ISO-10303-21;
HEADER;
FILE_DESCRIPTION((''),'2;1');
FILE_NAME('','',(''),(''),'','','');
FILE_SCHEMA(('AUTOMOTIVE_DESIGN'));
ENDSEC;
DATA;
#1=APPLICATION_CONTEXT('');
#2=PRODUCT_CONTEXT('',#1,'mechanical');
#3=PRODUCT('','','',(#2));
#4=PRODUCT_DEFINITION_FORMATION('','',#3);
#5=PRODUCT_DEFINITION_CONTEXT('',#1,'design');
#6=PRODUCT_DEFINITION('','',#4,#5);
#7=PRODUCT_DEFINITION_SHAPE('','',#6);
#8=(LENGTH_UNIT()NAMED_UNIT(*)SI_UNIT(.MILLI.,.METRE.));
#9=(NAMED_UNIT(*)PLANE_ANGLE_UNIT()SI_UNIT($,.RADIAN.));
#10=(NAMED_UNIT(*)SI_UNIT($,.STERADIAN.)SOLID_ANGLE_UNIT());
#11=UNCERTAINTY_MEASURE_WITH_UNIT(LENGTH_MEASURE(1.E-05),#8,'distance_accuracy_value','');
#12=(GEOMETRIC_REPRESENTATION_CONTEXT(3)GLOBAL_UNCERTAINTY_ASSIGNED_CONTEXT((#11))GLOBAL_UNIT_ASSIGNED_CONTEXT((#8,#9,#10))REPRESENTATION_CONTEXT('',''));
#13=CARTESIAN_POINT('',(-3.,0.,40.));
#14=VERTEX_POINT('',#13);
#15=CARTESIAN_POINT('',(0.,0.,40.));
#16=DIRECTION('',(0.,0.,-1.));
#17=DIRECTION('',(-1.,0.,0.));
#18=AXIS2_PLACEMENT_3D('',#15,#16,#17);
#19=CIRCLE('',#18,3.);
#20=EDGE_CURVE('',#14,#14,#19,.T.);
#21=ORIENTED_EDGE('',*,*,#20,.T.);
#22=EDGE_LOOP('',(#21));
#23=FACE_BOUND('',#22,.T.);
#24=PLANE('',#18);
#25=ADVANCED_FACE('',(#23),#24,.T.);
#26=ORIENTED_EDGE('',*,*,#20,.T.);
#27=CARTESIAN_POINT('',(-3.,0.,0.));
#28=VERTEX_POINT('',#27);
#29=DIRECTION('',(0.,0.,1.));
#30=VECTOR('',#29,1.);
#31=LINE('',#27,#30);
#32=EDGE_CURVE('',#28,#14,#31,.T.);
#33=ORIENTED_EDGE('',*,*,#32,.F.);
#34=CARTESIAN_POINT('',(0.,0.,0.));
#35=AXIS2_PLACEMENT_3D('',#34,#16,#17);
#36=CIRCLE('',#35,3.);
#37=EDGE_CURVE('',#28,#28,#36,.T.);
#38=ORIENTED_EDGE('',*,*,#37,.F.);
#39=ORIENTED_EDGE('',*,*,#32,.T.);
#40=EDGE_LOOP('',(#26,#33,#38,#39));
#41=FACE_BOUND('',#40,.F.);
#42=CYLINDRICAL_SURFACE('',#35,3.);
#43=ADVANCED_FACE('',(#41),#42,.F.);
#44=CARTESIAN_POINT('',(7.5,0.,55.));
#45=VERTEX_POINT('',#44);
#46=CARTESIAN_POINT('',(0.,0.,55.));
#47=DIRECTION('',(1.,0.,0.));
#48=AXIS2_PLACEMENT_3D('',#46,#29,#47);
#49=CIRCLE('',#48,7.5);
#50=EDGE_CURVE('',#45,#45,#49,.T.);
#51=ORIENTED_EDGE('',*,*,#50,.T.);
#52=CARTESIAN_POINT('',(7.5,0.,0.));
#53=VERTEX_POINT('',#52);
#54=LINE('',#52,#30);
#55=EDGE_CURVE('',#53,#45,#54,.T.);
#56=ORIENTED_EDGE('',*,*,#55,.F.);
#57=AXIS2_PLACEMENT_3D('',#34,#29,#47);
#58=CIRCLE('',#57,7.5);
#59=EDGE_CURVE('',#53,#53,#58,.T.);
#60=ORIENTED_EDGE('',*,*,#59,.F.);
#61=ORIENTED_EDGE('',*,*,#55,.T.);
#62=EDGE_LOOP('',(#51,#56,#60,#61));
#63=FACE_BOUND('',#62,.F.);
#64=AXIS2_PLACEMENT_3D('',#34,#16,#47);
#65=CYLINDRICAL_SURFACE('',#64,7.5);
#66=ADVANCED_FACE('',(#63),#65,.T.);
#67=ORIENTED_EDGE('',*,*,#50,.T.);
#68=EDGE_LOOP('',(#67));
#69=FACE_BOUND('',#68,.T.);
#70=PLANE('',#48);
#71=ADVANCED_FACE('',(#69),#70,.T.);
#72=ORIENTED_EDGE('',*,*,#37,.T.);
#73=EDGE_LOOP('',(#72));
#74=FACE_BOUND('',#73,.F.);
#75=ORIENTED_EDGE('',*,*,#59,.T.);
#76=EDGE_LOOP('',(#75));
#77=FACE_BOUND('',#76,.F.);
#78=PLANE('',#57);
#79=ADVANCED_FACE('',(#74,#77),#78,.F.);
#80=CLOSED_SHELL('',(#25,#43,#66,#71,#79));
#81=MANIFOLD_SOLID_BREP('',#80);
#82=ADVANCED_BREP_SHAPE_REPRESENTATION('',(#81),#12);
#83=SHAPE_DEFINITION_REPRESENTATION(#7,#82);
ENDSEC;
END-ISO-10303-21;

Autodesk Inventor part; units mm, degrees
ref_plane "YZ Plane" through (0, 0, 0) normal (1, 0, 0) x (0, 1, 0)
ref_plane "XZ Plane" through (0, 0, 0) normal (0, 1, 0) x (-1, 0, 0)
ref_plane "XY Plane" through (0, 0, 0) normal (0, 0, 1) x (1, 0, 0)
sketch "Sketch1" plane through (0, 0, 0) normal (0, 0, 1) x (1, 0, 0)
  circle A0 centre (0, 0) radius 7.5
  dimension "d0" = 15
extrude "Extrusion1" add sketch "Sketch1" along normal blind 55
sketch "Sketch2" plane through (0, 0, 0) normal (0, 0, -1) x (-1, 0, 0)
  circle A0 centre (0, 0) radius 3
  dimension "d3" = 6
extrude "Extrusion2" cut sketch "Sketch2" against normal blind 40
properties part number "Movable Stick"
